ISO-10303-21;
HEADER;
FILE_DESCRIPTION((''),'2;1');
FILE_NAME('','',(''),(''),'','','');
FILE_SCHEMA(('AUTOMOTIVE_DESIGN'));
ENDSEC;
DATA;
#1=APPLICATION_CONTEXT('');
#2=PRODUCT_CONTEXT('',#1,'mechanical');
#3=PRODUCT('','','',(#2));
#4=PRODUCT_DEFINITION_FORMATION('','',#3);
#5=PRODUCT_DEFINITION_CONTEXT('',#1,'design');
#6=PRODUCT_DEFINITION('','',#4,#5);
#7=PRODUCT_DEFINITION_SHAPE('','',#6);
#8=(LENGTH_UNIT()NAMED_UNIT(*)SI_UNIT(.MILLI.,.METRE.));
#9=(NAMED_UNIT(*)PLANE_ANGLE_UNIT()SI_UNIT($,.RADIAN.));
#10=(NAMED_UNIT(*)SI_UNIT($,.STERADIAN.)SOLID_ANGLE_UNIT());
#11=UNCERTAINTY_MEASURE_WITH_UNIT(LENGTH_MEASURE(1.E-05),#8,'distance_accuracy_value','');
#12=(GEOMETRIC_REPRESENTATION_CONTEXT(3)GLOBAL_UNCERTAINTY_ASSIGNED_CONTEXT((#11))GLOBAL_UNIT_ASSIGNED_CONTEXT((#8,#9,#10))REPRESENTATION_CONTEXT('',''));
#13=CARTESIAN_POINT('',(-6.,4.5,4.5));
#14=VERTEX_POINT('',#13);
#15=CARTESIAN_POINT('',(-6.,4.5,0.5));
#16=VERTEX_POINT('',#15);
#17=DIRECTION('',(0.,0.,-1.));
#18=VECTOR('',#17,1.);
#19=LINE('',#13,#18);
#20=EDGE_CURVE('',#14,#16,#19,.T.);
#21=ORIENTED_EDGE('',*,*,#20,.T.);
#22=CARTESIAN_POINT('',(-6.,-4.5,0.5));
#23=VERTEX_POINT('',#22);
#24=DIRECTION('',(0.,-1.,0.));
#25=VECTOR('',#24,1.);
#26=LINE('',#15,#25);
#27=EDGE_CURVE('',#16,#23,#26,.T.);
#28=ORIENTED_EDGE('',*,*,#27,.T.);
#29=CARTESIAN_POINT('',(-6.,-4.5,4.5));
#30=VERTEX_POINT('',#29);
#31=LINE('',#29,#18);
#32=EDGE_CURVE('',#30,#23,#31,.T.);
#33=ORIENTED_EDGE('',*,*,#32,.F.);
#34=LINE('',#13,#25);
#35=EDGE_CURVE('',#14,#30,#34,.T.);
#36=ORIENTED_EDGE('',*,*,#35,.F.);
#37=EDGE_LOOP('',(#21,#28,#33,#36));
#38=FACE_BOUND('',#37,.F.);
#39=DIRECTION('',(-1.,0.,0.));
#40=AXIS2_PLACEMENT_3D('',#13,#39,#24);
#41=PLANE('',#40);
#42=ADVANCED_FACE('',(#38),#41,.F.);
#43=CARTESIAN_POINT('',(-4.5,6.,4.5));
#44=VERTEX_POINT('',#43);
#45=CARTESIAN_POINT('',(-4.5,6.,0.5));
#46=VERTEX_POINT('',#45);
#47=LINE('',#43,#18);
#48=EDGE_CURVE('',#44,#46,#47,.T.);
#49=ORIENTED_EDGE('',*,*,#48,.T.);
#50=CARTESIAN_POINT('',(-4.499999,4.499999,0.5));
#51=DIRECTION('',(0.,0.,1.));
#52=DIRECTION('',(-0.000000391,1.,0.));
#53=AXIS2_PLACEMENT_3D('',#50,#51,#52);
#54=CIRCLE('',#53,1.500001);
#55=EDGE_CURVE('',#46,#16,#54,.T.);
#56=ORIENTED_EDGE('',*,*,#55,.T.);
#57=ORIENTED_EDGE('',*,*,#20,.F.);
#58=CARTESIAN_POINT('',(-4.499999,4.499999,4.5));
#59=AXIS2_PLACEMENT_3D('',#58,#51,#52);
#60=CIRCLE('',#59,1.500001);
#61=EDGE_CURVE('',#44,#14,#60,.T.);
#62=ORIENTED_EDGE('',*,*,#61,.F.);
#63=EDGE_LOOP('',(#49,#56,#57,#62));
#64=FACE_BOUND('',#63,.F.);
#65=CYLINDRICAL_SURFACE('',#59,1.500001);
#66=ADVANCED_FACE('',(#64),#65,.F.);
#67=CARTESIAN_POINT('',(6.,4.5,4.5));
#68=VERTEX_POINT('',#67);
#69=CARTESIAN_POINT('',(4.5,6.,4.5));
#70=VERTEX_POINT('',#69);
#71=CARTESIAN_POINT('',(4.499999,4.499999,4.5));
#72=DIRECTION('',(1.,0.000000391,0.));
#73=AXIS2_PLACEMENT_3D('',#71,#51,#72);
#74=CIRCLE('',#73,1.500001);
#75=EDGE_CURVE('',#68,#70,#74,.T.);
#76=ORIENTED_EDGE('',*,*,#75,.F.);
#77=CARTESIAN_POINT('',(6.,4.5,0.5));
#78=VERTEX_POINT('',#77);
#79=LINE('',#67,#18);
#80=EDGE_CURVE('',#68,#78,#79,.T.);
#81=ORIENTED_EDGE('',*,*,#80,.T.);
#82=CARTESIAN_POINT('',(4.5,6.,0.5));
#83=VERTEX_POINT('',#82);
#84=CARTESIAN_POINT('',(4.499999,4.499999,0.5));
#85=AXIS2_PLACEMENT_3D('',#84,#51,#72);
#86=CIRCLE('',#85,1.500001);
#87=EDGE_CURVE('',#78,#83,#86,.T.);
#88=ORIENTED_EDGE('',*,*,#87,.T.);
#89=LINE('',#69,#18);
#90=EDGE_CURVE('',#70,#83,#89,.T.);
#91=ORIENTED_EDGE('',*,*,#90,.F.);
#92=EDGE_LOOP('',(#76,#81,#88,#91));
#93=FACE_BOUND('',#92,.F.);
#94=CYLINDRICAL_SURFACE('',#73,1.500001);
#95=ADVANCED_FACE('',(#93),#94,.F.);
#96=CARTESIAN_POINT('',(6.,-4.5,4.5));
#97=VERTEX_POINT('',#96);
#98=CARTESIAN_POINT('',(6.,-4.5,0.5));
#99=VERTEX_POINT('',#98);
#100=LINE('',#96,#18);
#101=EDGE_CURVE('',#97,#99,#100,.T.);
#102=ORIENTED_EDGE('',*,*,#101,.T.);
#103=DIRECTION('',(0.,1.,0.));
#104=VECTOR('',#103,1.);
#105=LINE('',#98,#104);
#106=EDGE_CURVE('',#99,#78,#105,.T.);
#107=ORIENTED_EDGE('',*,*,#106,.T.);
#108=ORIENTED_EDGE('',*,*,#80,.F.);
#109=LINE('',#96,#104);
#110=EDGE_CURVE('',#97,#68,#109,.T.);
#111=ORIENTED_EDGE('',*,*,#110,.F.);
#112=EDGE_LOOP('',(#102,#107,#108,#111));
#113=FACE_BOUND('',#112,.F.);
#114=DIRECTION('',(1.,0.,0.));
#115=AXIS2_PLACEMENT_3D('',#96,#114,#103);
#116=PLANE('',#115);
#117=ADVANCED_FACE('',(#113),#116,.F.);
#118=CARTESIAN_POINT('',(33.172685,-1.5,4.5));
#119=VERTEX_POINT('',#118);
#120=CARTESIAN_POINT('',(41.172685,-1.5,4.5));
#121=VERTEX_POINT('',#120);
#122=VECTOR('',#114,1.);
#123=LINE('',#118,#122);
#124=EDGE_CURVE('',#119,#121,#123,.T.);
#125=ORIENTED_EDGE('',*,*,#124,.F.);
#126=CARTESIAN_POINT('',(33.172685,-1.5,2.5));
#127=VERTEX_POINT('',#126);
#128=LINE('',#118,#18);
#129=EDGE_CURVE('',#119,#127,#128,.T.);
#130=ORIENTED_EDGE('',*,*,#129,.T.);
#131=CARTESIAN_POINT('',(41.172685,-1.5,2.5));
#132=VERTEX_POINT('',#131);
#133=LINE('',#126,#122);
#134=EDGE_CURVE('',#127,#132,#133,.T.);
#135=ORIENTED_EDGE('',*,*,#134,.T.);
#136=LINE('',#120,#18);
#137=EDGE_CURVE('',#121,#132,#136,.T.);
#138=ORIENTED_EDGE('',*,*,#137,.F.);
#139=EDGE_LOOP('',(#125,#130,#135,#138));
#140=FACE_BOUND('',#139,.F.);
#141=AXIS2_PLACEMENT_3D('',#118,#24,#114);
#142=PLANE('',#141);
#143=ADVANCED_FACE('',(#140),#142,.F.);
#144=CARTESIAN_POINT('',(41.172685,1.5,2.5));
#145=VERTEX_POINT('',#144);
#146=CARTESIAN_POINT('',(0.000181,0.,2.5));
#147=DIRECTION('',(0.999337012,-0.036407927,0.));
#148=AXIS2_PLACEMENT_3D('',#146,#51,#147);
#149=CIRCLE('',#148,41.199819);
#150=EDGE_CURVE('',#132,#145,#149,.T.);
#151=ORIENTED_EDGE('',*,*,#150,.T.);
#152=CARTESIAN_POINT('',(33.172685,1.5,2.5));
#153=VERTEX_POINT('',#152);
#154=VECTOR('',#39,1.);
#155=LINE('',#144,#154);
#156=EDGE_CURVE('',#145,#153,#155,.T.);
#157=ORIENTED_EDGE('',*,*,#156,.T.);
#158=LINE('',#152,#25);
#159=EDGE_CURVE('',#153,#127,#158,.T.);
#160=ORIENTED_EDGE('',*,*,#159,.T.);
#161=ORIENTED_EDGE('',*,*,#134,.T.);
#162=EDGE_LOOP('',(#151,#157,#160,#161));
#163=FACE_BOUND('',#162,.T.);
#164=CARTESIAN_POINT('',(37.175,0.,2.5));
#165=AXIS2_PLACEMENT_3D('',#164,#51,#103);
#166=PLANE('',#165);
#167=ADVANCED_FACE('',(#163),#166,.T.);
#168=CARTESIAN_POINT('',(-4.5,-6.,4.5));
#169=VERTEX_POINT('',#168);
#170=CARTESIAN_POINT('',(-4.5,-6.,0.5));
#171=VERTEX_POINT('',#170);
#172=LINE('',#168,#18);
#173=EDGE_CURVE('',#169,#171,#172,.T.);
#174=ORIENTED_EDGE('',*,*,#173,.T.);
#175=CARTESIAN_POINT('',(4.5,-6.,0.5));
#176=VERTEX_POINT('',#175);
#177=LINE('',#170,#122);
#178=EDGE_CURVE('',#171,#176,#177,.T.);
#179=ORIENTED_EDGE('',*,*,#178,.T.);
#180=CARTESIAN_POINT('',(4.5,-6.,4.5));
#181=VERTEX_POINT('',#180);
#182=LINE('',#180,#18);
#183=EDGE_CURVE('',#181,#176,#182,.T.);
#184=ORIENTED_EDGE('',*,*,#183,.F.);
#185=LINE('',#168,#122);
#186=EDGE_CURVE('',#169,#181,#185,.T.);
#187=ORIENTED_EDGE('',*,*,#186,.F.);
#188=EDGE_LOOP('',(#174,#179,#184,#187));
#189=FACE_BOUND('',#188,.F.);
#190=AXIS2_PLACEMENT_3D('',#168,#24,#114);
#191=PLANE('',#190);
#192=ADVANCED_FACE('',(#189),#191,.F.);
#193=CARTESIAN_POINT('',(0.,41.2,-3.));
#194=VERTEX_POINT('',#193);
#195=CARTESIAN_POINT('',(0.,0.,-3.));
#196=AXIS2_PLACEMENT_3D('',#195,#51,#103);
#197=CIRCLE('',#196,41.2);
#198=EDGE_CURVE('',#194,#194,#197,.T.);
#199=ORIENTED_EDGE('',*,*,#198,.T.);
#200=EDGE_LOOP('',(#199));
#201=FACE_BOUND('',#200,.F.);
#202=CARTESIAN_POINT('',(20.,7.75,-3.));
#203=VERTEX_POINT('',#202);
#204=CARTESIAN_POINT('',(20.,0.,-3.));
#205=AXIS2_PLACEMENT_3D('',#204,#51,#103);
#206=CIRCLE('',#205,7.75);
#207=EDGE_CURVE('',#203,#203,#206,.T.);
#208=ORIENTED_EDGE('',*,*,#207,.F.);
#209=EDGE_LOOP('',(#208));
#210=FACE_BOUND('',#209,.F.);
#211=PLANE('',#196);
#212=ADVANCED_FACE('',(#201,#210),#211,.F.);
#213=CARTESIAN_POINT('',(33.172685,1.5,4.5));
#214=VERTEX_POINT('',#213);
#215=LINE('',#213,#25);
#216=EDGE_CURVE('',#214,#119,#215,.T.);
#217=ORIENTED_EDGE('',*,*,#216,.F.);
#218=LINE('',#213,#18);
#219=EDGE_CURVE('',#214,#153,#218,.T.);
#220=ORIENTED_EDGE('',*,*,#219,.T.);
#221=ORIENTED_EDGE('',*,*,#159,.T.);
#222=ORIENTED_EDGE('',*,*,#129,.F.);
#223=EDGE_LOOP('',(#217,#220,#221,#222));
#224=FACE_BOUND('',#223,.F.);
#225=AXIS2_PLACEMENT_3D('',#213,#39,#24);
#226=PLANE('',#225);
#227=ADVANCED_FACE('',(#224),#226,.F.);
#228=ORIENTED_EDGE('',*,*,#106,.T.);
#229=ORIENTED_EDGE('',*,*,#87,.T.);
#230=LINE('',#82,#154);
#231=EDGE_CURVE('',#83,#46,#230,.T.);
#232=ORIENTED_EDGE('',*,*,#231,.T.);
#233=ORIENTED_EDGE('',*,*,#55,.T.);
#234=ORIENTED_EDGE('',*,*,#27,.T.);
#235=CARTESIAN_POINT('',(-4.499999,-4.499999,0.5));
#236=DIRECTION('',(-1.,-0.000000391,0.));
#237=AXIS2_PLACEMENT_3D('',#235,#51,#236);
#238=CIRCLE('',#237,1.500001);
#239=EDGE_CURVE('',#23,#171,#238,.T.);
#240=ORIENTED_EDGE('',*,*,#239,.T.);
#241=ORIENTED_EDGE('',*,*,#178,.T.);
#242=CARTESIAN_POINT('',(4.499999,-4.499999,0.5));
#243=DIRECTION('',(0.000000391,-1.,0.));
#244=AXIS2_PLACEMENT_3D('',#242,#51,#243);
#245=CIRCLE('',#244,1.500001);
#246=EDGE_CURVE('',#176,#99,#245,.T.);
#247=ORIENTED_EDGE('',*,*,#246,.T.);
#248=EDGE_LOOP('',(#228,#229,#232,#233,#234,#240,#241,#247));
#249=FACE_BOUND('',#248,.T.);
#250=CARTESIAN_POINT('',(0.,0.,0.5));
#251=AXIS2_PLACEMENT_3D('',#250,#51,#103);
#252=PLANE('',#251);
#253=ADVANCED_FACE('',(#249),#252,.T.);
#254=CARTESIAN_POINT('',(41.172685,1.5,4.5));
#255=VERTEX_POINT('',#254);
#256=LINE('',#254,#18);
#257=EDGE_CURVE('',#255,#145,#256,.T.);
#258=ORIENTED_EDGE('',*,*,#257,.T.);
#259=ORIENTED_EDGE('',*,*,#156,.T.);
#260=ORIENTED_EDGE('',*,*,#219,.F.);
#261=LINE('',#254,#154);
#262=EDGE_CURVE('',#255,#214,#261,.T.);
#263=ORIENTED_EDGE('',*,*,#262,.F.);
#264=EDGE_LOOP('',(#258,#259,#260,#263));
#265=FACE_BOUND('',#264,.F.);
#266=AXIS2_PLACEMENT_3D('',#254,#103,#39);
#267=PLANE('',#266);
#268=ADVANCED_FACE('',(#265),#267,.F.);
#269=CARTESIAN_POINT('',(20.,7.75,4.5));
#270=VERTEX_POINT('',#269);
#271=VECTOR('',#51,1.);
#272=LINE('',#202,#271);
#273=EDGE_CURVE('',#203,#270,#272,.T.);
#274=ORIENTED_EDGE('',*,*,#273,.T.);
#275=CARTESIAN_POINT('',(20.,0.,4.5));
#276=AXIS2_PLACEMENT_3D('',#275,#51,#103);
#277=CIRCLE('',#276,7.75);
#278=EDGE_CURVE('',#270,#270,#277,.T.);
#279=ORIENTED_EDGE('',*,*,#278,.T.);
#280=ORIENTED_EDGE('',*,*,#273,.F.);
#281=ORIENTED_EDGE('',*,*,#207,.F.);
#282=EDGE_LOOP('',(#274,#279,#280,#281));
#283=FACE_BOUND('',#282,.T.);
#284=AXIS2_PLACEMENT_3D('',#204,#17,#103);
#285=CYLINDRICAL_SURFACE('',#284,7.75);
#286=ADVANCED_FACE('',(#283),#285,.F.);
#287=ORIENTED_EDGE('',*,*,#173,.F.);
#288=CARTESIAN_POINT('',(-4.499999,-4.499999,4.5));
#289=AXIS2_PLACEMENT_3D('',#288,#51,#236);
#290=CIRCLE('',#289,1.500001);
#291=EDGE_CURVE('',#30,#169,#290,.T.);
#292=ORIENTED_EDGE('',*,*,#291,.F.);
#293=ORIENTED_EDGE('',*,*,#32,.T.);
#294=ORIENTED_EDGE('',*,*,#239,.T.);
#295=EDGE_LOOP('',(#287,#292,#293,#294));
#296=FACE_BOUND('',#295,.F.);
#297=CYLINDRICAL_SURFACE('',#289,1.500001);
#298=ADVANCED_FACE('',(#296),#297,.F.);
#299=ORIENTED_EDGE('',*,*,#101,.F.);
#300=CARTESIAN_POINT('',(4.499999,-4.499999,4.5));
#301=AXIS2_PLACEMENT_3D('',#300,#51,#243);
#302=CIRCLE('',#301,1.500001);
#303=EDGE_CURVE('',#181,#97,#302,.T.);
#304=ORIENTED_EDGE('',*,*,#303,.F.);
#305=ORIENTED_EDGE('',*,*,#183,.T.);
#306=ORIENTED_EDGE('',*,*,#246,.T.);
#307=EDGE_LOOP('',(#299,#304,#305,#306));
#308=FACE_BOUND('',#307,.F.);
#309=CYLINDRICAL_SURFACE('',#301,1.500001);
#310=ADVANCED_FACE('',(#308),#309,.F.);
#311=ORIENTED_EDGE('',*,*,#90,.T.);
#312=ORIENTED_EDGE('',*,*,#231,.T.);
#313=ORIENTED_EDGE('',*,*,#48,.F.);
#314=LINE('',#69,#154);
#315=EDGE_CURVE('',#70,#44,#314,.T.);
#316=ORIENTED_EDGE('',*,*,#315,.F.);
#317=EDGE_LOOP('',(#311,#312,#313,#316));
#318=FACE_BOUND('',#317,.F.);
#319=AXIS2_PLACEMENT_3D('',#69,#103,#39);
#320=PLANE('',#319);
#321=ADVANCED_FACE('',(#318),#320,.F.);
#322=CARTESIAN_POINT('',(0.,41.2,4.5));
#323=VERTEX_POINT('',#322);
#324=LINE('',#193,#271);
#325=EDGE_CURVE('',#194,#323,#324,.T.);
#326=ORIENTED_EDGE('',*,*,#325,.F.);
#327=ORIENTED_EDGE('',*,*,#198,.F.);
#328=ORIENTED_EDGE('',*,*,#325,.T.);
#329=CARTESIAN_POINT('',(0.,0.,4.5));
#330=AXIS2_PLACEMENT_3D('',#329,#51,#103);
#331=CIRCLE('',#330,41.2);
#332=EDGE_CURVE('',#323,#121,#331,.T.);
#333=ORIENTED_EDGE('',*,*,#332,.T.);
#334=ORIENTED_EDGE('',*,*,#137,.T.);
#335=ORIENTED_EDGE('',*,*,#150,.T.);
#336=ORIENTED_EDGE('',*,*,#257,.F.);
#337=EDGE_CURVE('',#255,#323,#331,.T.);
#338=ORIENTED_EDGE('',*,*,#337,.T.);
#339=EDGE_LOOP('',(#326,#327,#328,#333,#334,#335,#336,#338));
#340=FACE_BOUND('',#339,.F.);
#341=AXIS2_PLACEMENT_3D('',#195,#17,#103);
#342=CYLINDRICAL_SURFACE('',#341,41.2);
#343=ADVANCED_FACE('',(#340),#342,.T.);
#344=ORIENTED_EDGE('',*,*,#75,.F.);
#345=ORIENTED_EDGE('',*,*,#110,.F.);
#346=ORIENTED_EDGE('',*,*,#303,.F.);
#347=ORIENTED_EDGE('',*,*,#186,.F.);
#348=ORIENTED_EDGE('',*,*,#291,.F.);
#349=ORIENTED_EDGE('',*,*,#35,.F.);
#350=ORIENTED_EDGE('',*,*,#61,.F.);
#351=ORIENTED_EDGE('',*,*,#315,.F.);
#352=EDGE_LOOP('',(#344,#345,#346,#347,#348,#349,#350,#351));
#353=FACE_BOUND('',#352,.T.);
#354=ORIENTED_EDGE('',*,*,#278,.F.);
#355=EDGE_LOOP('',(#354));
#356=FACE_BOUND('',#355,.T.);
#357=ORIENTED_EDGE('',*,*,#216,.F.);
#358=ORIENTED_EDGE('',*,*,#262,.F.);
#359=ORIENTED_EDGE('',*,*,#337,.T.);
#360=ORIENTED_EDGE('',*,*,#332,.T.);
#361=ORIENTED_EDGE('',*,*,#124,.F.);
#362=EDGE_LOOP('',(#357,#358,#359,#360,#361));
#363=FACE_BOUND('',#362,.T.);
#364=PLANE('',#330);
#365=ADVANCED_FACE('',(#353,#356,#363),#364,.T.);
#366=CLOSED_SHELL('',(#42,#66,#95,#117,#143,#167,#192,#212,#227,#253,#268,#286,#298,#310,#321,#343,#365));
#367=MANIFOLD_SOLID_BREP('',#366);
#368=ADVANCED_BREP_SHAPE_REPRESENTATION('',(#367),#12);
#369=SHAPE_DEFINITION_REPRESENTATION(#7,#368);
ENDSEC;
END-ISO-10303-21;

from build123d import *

# Parameters (mm, degrees)
SKETCH004_R             = 41.2
SKETCH004_R_2           = 7.75
PAD002_DEPTH            = 7.5
POCKET007_DEPTH         = 2
POCKET008_DEPTH         = 4
BODY002_PLACEMENT_ANGLE = 90


with BuildPart() as part:
    # Sketch004 → Pad002 (new body)
    with BuildSketch(Plane.XY):
        Circle(SKETCH004_R)
        with Locations((0, -20)):
            Circle(SKETCH004_R_2, mode=Mode.SUBTRACT)
    extrude(amount=PAD002_DEPTH)

    # Sketch018 (on Face4 of Pad002) → Pocket007 (cut)
    with BuildSketch(Plane.XY.offset(7.5)):
        with BuildLine():
            Line((-1.5, -33.172685), (-1.5, -41.172685))
            ThreePointArc((-1.5, -41.172685), (0, -41.2), (1.5, -41.172685))
            Line((1.5, -41.172685), (1.5, -33.172685))
            Line((1.5, -33.172685), (-1.5, -33.172685))
        make_face()
    extrude(amount=-POCKET007_DEPTH, mode=Mode.SUBTRACT)

    # Sketch019 (on Face3 of Pocket007) → Pocket008 (cut)
    with BuildSketch(Plane.XY.offset(7.5)):
        with BuildLine():
            Line((-6, 4.5), (-6, -4.5))
            ThreePointArc((-6, -4.5), (-5.56066, -5.56066), (-4.5, -6))
            Line((-4.5, -6), (4.5, -6))
            ThreePointArc((4.5, -6), (5.56066, -5.56066), (6, -4.5))
            Line((6, -4.5), (6, 4.5))
            ThreePointArc((6, 4.5), (5.56066, 5.56066), (4.5, 6))
            Line((4.5, 6), (-4.5, 6))
            ThreePointArc((-4.5, 6), (-5.56066, 5.56066), (-6, 4.5))
        make_face()
    extrude(amount=-POCKET008_DEPTH, mode=Mode.SUBTRACT)


with BuildPart() as part_1:
    # Body002 placement: moved
    add(part.part.moved(Location((0, 0, -3))).rotate(Axis((0, 0, -3), (0, 0, 1)), BODY002_PLACEMENT_ANGLE))


solid = part_1.part
